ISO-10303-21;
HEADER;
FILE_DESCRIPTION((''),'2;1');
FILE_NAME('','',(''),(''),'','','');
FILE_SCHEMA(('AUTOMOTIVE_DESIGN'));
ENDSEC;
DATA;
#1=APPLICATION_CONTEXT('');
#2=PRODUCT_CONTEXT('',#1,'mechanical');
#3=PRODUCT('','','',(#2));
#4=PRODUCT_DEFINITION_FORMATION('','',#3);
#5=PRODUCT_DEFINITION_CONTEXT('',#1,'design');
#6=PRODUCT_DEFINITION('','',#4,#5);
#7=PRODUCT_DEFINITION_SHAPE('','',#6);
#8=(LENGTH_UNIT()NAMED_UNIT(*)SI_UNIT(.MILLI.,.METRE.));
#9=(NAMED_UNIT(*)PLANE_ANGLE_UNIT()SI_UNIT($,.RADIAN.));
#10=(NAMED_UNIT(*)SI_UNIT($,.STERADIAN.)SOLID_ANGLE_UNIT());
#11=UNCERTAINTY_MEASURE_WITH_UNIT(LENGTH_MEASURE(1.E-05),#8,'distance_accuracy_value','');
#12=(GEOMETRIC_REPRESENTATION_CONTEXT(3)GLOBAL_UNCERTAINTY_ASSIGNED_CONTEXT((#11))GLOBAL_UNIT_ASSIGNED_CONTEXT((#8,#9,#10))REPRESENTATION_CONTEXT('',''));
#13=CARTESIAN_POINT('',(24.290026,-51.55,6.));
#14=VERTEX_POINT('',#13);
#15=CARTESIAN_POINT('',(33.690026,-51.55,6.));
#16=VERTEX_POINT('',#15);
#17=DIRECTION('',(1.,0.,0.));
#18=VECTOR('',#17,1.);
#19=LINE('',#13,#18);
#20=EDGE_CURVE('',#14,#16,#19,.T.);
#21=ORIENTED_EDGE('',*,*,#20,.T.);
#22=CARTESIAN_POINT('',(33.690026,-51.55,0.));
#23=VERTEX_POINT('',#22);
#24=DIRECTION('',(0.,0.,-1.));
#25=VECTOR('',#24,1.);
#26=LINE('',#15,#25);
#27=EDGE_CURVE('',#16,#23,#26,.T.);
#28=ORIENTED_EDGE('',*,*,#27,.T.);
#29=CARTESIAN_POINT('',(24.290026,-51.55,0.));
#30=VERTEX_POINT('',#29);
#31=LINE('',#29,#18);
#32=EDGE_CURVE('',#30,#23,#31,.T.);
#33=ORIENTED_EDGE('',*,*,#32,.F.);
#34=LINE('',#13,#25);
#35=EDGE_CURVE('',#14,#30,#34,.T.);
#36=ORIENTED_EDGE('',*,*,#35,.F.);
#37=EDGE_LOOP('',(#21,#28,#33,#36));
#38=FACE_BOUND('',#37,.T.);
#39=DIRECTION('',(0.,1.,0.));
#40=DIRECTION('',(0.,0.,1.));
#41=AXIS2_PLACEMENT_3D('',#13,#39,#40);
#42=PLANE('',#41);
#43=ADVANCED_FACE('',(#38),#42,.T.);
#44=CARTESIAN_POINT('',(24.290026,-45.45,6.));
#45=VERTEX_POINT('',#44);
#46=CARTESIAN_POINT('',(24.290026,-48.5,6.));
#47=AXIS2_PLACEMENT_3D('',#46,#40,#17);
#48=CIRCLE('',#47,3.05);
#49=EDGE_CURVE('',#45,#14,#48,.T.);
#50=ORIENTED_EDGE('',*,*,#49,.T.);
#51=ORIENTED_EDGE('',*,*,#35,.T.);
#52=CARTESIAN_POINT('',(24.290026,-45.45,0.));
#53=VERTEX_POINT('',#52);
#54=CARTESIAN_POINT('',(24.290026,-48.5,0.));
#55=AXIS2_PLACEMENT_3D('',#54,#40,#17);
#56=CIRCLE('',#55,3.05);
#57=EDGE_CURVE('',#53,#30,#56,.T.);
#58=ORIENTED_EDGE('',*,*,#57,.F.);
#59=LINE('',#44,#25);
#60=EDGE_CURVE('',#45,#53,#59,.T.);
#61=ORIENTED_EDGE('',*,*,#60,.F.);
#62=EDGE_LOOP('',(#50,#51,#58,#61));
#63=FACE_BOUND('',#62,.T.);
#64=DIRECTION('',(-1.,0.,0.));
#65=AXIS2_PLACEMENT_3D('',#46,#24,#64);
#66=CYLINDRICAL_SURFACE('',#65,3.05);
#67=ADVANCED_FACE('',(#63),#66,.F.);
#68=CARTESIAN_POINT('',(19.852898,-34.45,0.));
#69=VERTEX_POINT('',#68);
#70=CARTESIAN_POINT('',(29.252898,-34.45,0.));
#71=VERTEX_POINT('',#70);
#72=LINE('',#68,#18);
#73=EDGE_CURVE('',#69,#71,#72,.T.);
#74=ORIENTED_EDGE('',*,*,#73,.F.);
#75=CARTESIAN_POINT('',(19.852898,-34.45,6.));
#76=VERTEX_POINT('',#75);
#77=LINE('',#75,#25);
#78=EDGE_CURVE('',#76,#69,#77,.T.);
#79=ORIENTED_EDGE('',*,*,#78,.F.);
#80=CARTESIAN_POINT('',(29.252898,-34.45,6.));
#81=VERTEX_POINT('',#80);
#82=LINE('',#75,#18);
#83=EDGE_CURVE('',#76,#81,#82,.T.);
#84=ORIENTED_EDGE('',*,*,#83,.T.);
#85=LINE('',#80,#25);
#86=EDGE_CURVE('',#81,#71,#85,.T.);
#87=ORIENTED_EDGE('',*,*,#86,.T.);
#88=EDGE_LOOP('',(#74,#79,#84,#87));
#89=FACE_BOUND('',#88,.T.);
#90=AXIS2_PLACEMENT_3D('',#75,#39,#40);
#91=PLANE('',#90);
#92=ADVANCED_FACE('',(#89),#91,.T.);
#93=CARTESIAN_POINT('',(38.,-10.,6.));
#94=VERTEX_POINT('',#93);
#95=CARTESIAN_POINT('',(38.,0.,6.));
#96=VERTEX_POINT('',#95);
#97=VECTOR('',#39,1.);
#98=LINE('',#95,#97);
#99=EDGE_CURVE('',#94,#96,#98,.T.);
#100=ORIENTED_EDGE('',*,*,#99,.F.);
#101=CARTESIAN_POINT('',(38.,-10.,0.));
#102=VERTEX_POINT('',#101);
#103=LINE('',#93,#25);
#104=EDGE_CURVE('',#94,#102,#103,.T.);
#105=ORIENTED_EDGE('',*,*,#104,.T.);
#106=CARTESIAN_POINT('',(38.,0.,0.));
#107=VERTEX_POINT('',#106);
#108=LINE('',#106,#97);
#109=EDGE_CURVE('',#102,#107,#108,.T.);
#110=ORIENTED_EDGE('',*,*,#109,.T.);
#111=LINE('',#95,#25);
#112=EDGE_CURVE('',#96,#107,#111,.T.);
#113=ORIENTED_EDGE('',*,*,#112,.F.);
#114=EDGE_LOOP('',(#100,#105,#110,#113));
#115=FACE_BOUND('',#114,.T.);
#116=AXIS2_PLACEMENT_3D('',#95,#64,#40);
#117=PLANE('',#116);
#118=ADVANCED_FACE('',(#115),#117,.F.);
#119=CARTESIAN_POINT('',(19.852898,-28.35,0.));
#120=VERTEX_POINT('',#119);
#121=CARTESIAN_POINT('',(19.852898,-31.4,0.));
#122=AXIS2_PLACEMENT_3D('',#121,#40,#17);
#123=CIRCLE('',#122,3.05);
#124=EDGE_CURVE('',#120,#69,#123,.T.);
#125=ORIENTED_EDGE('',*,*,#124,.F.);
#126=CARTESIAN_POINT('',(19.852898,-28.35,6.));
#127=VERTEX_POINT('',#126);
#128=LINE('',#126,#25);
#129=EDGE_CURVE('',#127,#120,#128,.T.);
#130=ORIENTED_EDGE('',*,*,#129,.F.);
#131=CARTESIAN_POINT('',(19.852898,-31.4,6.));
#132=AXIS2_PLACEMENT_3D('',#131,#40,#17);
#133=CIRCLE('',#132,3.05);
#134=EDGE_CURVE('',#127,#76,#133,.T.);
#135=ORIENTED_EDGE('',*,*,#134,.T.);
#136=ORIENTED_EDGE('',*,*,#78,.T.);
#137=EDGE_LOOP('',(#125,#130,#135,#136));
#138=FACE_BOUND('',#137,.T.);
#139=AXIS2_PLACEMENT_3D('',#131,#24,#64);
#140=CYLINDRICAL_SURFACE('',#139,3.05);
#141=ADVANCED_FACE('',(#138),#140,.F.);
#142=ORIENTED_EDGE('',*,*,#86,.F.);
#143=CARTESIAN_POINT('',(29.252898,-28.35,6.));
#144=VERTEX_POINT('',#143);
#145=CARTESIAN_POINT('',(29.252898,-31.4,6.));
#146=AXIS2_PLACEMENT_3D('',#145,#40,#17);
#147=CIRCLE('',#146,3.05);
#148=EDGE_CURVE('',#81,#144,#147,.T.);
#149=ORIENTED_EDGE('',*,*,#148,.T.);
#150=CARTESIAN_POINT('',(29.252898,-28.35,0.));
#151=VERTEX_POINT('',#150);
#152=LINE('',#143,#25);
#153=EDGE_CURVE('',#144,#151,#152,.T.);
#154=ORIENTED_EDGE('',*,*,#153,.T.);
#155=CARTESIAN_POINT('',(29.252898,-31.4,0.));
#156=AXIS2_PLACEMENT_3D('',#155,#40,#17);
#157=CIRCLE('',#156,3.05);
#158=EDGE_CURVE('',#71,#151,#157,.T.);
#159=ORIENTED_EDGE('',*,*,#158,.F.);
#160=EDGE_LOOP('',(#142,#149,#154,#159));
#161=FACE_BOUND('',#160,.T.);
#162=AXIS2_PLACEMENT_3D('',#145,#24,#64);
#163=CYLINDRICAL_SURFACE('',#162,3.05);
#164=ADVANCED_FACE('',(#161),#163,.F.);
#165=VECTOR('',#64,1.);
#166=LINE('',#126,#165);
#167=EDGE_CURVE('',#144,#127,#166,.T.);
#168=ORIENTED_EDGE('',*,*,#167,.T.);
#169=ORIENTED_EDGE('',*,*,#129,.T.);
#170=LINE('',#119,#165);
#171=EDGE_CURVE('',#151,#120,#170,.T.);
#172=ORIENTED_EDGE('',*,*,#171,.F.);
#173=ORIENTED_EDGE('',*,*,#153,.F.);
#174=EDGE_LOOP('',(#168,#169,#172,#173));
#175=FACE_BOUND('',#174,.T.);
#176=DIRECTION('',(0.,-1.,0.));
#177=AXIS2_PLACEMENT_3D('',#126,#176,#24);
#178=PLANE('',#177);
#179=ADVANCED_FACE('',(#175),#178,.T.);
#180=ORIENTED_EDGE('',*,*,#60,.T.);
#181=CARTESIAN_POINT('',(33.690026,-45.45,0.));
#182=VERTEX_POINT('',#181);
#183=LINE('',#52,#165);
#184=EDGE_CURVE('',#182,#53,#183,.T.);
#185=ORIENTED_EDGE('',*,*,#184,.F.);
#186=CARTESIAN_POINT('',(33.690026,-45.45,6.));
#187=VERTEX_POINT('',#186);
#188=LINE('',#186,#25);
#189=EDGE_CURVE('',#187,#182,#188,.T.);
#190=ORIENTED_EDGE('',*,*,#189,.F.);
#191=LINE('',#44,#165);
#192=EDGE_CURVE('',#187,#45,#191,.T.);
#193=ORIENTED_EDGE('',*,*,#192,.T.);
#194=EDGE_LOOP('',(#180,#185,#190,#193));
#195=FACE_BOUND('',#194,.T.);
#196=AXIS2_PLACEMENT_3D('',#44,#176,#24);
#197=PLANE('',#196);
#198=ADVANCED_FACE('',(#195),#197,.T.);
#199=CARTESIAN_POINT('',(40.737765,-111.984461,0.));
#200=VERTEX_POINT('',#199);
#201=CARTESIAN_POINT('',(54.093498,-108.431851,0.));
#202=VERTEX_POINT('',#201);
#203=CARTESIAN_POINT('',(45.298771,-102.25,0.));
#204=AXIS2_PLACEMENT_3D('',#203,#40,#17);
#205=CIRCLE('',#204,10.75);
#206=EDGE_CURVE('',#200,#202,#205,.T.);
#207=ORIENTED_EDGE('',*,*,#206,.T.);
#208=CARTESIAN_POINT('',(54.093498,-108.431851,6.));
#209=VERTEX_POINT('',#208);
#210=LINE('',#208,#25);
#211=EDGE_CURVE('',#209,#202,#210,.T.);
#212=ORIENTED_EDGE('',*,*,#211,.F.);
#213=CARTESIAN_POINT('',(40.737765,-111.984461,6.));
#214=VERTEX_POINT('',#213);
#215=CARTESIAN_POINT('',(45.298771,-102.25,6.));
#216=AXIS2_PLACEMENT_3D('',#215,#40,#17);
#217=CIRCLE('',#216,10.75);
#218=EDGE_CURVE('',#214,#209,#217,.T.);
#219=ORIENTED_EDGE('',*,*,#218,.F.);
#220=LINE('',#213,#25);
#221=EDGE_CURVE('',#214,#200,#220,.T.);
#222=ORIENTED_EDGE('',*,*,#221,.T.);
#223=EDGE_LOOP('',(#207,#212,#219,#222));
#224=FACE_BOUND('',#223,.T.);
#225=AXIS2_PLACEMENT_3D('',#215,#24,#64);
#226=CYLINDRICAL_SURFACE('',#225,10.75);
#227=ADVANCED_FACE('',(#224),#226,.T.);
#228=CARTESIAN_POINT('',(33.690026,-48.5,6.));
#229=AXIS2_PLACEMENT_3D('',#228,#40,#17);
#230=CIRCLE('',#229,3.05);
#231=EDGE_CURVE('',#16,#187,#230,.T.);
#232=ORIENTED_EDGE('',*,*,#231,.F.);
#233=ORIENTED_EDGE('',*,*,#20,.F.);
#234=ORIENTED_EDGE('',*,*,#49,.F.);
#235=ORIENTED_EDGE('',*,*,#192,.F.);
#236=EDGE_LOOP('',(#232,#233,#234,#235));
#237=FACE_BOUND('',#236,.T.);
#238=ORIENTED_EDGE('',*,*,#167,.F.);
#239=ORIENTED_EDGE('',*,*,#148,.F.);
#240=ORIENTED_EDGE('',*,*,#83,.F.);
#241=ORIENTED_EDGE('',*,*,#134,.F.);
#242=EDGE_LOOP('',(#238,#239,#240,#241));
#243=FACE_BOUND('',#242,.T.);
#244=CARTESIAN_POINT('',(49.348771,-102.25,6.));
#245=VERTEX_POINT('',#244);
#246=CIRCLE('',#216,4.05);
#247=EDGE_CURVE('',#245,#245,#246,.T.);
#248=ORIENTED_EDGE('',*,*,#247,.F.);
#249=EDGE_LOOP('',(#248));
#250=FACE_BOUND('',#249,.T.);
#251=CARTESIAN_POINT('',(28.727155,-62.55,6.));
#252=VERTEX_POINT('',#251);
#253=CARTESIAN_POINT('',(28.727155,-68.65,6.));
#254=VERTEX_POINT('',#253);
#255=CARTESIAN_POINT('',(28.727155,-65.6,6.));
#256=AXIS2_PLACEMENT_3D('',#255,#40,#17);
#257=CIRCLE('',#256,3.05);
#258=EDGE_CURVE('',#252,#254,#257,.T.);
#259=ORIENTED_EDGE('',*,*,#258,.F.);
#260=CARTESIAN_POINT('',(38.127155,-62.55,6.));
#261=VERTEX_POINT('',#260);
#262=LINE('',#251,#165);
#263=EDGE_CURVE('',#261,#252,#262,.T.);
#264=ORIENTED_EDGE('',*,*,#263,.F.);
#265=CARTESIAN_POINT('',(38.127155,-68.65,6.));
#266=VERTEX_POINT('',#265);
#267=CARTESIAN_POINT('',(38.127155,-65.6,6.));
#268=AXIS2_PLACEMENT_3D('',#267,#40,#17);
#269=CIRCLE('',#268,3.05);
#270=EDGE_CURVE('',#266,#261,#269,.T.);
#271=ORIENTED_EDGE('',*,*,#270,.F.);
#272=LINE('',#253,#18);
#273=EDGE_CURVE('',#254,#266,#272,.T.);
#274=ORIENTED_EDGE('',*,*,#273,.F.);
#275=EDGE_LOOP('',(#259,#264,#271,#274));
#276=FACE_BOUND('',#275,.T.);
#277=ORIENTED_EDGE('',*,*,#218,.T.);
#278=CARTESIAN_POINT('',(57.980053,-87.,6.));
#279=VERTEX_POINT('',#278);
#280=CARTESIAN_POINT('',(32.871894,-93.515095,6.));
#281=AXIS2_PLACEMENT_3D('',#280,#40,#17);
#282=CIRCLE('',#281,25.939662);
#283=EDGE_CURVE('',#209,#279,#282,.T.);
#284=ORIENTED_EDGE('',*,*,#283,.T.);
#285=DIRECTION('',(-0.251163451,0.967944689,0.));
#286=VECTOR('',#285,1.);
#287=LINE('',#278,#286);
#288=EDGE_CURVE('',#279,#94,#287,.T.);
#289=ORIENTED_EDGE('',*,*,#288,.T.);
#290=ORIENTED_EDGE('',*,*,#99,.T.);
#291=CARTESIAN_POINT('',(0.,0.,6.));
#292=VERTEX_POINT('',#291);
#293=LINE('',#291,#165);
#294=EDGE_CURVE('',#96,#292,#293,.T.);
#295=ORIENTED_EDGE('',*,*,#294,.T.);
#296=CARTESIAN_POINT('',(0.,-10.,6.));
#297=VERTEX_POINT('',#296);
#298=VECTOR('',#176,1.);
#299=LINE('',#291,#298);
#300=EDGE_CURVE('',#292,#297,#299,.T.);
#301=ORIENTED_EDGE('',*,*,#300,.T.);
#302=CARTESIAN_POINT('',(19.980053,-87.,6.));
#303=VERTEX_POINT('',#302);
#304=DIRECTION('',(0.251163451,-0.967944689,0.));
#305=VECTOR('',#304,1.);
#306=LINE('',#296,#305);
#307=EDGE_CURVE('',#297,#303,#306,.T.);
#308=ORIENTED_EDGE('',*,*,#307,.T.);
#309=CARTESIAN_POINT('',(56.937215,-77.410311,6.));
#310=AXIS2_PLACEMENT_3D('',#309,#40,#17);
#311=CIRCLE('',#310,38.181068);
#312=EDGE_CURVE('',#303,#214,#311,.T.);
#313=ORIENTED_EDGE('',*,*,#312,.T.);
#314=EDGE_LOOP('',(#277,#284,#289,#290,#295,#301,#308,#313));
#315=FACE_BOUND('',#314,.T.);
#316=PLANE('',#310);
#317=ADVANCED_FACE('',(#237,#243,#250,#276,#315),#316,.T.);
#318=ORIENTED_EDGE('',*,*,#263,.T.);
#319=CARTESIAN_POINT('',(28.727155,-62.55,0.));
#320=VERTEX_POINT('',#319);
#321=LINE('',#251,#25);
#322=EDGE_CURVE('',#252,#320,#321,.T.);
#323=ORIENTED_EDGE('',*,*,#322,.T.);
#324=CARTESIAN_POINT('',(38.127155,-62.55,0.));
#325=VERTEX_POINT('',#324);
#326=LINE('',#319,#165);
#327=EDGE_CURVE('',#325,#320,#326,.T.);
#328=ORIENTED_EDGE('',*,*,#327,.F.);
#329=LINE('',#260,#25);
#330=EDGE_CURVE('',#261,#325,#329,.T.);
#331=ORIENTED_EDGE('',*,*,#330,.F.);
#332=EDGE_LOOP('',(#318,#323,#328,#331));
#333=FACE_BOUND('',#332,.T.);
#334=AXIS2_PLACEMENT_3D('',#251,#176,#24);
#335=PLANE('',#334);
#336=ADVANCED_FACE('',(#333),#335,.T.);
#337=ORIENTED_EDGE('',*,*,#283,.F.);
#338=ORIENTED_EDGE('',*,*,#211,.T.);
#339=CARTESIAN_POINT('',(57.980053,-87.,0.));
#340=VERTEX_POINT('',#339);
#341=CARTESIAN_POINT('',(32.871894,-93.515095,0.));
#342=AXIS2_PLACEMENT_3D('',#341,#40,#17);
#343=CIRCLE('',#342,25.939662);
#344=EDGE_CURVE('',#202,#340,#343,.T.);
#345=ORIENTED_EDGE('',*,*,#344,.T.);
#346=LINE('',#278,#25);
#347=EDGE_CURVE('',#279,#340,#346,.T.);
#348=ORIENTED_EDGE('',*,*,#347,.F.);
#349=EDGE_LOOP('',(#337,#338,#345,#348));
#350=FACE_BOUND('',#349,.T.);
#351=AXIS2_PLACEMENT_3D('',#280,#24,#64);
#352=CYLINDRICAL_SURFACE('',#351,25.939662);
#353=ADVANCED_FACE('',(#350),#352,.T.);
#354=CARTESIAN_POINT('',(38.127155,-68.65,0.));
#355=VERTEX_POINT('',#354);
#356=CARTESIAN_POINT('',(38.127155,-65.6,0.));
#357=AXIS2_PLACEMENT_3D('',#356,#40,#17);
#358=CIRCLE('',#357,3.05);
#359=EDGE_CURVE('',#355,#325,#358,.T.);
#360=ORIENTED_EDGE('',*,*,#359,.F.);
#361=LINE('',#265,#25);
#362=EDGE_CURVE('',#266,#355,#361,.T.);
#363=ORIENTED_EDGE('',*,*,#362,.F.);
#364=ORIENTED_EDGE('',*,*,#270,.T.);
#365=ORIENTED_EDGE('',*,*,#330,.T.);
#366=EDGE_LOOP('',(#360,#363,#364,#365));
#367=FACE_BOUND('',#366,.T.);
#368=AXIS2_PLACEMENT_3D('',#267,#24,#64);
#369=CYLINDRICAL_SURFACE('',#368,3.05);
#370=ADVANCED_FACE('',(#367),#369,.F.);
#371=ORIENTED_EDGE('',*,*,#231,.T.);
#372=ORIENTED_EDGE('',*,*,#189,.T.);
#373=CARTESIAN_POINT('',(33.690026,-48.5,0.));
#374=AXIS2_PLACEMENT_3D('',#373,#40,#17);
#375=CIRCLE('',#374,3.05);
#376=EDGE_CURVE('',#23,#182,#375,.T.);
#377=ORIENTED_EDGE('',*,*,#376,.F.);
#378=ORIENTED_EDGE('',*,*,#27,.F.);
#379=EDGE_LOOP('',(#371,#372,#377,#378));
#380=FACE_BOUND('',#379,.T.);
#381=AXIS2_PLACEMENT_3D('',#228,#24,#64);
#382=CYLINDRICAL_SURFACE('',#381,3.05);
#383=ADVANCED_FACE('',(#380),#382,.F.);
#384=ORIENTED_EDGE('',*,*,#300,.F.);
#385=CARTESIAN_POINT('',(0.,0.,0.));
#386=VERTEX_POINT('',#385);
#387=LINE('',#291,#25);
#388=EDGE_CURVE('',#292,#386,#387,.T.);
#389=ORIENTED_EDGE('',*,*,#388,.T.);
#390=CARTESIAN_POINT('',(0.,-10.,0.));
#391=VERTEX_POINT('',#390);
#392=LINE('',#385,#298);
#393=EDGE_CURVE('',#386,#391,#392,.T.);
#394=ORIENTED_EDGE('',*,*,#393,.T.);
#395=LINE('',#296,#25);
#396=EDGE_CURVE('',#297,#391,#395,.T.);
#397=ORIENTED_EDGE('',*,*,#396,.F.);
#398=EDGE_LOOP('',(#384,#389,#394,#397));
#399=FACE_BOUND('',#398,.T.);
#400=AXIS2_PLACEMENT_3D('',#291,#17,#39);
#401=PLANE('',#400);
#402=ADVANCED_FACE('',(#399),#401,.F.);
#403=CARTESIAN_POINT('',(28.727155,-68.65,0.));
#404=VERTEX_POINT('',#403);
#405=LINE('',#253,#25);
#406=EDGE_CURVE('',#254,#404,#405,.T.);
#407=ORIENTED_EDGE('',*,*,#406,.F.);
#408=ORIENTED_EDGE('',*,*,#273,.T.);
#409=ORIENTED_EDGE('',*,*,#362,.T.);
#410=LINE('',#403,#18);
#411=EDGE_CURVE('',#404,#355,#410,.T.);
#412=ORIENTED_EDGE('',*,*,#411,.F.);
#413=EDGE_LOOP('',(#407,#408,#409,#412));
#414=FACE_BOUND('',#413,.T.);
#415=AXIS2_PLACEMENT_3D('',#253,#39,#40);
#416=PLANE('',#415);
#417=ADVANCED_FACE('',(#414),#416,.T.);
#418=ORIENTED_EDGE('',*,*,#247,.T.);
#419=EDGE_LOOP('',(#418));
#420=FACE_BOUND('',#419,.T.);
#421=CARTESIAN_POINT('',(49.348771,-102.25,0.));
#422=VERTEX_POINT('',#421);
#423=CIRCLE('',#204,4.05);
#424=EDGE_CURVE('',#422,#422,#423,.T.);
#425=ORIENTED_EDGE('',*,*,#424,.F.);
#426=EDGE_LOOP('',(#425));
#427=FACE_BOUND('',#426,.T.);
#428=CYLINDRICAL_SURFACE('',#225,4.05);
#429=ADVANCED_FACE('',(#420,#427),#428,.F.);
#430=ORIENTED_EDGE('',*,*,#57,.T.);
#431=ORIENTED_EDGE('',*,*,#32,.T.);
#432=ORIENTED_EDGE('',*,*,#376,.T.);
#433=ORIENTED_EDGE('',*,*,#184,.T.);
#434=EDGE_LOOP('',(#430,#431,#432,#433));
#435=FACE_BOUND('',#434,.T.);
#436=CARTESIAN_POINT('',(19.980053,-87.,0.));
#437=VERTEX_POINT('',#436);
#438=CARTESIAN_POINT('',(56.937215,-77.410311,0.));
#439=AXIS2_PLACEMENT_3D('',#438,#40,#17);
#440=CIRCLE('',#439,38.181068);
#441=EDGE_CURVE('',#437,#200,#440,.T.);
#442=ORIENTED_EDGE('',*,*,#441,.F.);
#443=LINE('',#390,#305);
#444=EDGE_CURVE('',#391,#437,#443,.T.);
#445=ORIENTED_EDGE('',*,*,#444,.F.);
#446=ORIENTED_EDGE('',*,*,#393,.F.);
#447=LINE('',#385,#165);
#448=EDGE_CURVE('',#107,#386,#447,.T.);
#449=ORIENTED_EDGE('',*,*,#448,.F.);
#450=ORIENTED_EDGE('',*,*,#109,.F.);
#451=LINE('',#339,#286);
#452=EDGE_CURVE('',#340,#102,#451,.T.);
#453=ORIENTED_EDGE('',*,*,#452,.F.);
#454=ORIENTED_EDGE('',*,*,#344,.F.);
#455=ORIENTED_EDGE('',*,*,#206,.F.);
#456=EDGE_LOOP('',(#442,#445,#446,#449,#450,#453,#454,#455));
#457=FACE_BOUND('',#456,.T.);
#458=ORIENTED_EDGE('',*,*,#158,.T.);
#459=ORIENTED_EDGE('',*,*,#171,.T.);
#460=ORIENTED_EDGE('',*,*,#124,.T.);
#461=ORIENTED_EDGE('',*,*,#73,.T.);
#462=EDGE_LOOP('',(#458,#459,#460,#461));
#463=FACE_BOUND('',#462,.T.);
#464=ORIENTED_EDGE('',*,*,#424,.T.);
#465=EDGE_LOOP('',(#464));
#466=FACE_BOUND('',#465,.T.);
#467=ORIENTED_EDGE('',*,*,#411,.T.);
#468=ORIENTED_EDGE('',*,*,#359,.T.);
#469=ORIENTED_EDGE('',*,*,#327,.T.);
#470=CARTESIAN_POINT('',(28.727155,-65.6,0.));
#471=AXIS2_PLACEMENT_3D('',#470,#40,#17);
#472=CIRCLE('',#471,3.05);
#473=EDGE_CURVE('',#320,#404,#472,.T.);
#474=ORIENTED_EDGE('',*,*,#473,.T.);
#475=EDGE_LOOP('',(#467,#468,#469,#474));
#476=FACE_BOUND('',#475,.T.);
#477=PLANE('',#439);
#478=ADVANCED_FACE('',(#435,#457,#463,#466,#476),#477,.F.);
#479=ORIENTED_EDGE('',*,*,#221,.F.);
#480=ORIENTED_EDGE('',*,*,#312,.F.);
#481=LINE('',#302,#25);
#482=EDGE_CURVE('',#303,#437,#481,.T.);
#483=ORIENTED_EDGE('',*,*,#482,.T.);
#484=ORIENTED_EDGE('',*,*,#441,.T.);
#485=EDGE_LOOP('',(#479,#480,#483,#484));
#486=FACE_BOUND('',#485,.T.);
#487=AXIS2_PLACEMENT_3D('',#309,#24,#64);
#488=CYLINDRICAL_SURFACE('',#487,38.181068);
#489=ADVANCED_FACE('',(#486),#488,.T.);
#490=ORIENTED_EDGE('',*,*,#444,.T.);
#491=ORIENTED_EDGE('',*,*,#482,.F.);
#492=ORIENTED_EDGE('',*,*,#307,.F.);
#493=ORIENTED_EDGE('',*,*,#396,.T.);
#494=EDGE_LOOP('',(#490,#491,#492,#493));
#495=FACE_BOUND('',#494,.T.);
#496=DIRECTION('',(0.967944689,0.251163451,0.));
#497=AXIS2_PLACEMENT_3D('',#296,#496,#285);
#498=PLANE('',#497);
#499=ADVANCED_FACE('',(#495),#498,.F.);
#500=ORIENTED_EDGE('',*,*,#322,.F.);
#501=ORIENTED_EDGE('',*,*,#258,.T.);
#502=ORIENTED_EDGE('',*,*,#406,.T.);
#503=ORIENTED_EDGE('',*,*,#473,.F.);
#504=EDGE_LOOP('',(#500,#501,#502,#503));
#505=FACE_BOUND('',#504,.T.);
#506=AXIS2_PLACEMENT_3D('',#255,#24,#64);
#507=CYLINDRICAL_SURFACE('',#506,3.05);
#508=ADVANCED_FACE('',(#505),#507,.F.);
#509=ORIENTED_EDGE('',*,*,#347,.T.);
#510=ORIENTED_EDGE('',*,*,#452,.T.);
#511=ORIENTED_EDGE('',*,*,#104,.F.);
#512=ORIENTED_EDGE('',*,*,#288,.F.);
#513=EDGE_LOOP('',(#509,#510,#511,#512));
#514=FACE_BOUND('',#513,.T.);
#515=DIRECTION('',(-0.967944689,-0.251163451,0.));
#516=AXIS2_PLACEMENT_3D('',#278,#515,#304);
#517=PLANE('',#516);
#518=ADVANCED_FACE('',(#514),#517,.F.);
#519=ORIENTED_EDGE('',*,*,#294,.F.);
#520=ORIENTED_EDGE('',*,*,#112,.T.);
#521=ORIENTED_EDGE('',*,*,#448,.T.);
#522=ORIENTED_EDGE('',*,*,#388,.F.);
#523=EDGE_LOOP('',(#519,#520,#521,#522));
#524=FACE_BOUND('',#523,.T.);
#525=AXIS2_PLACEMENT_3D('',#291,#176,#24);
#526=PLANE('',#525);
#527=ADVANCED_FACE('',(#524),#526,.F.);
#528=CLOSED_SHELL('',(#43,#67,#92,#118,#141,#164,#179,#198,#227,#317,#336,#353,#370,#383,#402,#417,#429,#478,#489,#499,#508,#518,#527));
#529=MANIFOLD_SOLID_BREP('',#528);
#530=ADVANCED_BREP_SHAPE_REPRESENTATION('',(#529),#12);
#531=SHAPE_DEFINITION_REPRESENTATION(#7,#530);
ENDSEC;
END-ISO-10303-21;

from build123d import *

# Parameters (mm, degrees)
SKETCH1_R           = 4.05
BOSS_EXTRUDE1_DEPTH = 6


with BuildPart() as part:
    # Sketch1 → Boss-Extrude1 (new body)
    with BuildSketch(Plane.XY):
        with BuildLine():
            Line((0, 0), (38, 0))
            Line((38, 0), (38, -10))
            Line((38, -10), (57.980052552, -87))
            ThreePointArc((57.980052552, -87), (58.395271252, -98.14362649), (54.093497988, -108.431851056))
            ThreePointArc((54.093497988, -108.431851056), (48.062167082, -112.638750827), (40.737765228, -111.984460623))
            ThreePointArc((40.737765228, -111.984460623), (27.569508693, -101.809733527), (19.980052552, -87))
            Line((19.980052552, -87), (0, -10))
            Line((0, -10), (0, 0))
        make_face()
        with Locations((45.2987713, -102.25)):
            Circle(SKETCH1_R, mode=Mode.SUBTRACT)
        with BuildLine():
            Line((24.290026276, -45.45), (33.690026276, -45.45))
            ThreePointArc((33.690026276, -45.45), (36.740026276, -48.5), (33.690026276, -51.55))
            Line((33.690026276, -51.55), (24.290026276, -51.55))
            ThreePointArc((24.290026276, -51.55), (21.240026276, -48.5), (24.290026276, -45.45))
        make_face(mode=Mode.SUBTRACT)
        with BuildLine():
            Line((28.72715483, -62.55), (38.12715483, -62.55))
            ThreePointArc((38.12715483, -62.55), (41.17715483, -65.6), (38.12715483, -68.65))
            Line((38.12715483, -68.65), (28.72715483, -68.65))
            ThreePointArc((28.72715483, -68.65), (25.67715483, -65.6), (28.72715483, -62.55))
        make_face(mode=Mode.SUBTRACT)
        with BuildLine():
            Line((19.852897722, -28.35), (29.252897722, -28.35))
            ThreePointArc((29.252897722, -28.35), (32.302897722, -31.4), (29.252897722, -34.45))
            Line((29.252897722, -34.45), (19.852897722, -34.45))
            ThreePointArc((19.852897722, -34.45), (16.802897722, -31.4), (19.852897722, -28.35))
        make_face(mode=Mode.SUBTRACT)
    extrude(amount=BOSS_EXTRUDE1_DEPTH)


solid = part.part
